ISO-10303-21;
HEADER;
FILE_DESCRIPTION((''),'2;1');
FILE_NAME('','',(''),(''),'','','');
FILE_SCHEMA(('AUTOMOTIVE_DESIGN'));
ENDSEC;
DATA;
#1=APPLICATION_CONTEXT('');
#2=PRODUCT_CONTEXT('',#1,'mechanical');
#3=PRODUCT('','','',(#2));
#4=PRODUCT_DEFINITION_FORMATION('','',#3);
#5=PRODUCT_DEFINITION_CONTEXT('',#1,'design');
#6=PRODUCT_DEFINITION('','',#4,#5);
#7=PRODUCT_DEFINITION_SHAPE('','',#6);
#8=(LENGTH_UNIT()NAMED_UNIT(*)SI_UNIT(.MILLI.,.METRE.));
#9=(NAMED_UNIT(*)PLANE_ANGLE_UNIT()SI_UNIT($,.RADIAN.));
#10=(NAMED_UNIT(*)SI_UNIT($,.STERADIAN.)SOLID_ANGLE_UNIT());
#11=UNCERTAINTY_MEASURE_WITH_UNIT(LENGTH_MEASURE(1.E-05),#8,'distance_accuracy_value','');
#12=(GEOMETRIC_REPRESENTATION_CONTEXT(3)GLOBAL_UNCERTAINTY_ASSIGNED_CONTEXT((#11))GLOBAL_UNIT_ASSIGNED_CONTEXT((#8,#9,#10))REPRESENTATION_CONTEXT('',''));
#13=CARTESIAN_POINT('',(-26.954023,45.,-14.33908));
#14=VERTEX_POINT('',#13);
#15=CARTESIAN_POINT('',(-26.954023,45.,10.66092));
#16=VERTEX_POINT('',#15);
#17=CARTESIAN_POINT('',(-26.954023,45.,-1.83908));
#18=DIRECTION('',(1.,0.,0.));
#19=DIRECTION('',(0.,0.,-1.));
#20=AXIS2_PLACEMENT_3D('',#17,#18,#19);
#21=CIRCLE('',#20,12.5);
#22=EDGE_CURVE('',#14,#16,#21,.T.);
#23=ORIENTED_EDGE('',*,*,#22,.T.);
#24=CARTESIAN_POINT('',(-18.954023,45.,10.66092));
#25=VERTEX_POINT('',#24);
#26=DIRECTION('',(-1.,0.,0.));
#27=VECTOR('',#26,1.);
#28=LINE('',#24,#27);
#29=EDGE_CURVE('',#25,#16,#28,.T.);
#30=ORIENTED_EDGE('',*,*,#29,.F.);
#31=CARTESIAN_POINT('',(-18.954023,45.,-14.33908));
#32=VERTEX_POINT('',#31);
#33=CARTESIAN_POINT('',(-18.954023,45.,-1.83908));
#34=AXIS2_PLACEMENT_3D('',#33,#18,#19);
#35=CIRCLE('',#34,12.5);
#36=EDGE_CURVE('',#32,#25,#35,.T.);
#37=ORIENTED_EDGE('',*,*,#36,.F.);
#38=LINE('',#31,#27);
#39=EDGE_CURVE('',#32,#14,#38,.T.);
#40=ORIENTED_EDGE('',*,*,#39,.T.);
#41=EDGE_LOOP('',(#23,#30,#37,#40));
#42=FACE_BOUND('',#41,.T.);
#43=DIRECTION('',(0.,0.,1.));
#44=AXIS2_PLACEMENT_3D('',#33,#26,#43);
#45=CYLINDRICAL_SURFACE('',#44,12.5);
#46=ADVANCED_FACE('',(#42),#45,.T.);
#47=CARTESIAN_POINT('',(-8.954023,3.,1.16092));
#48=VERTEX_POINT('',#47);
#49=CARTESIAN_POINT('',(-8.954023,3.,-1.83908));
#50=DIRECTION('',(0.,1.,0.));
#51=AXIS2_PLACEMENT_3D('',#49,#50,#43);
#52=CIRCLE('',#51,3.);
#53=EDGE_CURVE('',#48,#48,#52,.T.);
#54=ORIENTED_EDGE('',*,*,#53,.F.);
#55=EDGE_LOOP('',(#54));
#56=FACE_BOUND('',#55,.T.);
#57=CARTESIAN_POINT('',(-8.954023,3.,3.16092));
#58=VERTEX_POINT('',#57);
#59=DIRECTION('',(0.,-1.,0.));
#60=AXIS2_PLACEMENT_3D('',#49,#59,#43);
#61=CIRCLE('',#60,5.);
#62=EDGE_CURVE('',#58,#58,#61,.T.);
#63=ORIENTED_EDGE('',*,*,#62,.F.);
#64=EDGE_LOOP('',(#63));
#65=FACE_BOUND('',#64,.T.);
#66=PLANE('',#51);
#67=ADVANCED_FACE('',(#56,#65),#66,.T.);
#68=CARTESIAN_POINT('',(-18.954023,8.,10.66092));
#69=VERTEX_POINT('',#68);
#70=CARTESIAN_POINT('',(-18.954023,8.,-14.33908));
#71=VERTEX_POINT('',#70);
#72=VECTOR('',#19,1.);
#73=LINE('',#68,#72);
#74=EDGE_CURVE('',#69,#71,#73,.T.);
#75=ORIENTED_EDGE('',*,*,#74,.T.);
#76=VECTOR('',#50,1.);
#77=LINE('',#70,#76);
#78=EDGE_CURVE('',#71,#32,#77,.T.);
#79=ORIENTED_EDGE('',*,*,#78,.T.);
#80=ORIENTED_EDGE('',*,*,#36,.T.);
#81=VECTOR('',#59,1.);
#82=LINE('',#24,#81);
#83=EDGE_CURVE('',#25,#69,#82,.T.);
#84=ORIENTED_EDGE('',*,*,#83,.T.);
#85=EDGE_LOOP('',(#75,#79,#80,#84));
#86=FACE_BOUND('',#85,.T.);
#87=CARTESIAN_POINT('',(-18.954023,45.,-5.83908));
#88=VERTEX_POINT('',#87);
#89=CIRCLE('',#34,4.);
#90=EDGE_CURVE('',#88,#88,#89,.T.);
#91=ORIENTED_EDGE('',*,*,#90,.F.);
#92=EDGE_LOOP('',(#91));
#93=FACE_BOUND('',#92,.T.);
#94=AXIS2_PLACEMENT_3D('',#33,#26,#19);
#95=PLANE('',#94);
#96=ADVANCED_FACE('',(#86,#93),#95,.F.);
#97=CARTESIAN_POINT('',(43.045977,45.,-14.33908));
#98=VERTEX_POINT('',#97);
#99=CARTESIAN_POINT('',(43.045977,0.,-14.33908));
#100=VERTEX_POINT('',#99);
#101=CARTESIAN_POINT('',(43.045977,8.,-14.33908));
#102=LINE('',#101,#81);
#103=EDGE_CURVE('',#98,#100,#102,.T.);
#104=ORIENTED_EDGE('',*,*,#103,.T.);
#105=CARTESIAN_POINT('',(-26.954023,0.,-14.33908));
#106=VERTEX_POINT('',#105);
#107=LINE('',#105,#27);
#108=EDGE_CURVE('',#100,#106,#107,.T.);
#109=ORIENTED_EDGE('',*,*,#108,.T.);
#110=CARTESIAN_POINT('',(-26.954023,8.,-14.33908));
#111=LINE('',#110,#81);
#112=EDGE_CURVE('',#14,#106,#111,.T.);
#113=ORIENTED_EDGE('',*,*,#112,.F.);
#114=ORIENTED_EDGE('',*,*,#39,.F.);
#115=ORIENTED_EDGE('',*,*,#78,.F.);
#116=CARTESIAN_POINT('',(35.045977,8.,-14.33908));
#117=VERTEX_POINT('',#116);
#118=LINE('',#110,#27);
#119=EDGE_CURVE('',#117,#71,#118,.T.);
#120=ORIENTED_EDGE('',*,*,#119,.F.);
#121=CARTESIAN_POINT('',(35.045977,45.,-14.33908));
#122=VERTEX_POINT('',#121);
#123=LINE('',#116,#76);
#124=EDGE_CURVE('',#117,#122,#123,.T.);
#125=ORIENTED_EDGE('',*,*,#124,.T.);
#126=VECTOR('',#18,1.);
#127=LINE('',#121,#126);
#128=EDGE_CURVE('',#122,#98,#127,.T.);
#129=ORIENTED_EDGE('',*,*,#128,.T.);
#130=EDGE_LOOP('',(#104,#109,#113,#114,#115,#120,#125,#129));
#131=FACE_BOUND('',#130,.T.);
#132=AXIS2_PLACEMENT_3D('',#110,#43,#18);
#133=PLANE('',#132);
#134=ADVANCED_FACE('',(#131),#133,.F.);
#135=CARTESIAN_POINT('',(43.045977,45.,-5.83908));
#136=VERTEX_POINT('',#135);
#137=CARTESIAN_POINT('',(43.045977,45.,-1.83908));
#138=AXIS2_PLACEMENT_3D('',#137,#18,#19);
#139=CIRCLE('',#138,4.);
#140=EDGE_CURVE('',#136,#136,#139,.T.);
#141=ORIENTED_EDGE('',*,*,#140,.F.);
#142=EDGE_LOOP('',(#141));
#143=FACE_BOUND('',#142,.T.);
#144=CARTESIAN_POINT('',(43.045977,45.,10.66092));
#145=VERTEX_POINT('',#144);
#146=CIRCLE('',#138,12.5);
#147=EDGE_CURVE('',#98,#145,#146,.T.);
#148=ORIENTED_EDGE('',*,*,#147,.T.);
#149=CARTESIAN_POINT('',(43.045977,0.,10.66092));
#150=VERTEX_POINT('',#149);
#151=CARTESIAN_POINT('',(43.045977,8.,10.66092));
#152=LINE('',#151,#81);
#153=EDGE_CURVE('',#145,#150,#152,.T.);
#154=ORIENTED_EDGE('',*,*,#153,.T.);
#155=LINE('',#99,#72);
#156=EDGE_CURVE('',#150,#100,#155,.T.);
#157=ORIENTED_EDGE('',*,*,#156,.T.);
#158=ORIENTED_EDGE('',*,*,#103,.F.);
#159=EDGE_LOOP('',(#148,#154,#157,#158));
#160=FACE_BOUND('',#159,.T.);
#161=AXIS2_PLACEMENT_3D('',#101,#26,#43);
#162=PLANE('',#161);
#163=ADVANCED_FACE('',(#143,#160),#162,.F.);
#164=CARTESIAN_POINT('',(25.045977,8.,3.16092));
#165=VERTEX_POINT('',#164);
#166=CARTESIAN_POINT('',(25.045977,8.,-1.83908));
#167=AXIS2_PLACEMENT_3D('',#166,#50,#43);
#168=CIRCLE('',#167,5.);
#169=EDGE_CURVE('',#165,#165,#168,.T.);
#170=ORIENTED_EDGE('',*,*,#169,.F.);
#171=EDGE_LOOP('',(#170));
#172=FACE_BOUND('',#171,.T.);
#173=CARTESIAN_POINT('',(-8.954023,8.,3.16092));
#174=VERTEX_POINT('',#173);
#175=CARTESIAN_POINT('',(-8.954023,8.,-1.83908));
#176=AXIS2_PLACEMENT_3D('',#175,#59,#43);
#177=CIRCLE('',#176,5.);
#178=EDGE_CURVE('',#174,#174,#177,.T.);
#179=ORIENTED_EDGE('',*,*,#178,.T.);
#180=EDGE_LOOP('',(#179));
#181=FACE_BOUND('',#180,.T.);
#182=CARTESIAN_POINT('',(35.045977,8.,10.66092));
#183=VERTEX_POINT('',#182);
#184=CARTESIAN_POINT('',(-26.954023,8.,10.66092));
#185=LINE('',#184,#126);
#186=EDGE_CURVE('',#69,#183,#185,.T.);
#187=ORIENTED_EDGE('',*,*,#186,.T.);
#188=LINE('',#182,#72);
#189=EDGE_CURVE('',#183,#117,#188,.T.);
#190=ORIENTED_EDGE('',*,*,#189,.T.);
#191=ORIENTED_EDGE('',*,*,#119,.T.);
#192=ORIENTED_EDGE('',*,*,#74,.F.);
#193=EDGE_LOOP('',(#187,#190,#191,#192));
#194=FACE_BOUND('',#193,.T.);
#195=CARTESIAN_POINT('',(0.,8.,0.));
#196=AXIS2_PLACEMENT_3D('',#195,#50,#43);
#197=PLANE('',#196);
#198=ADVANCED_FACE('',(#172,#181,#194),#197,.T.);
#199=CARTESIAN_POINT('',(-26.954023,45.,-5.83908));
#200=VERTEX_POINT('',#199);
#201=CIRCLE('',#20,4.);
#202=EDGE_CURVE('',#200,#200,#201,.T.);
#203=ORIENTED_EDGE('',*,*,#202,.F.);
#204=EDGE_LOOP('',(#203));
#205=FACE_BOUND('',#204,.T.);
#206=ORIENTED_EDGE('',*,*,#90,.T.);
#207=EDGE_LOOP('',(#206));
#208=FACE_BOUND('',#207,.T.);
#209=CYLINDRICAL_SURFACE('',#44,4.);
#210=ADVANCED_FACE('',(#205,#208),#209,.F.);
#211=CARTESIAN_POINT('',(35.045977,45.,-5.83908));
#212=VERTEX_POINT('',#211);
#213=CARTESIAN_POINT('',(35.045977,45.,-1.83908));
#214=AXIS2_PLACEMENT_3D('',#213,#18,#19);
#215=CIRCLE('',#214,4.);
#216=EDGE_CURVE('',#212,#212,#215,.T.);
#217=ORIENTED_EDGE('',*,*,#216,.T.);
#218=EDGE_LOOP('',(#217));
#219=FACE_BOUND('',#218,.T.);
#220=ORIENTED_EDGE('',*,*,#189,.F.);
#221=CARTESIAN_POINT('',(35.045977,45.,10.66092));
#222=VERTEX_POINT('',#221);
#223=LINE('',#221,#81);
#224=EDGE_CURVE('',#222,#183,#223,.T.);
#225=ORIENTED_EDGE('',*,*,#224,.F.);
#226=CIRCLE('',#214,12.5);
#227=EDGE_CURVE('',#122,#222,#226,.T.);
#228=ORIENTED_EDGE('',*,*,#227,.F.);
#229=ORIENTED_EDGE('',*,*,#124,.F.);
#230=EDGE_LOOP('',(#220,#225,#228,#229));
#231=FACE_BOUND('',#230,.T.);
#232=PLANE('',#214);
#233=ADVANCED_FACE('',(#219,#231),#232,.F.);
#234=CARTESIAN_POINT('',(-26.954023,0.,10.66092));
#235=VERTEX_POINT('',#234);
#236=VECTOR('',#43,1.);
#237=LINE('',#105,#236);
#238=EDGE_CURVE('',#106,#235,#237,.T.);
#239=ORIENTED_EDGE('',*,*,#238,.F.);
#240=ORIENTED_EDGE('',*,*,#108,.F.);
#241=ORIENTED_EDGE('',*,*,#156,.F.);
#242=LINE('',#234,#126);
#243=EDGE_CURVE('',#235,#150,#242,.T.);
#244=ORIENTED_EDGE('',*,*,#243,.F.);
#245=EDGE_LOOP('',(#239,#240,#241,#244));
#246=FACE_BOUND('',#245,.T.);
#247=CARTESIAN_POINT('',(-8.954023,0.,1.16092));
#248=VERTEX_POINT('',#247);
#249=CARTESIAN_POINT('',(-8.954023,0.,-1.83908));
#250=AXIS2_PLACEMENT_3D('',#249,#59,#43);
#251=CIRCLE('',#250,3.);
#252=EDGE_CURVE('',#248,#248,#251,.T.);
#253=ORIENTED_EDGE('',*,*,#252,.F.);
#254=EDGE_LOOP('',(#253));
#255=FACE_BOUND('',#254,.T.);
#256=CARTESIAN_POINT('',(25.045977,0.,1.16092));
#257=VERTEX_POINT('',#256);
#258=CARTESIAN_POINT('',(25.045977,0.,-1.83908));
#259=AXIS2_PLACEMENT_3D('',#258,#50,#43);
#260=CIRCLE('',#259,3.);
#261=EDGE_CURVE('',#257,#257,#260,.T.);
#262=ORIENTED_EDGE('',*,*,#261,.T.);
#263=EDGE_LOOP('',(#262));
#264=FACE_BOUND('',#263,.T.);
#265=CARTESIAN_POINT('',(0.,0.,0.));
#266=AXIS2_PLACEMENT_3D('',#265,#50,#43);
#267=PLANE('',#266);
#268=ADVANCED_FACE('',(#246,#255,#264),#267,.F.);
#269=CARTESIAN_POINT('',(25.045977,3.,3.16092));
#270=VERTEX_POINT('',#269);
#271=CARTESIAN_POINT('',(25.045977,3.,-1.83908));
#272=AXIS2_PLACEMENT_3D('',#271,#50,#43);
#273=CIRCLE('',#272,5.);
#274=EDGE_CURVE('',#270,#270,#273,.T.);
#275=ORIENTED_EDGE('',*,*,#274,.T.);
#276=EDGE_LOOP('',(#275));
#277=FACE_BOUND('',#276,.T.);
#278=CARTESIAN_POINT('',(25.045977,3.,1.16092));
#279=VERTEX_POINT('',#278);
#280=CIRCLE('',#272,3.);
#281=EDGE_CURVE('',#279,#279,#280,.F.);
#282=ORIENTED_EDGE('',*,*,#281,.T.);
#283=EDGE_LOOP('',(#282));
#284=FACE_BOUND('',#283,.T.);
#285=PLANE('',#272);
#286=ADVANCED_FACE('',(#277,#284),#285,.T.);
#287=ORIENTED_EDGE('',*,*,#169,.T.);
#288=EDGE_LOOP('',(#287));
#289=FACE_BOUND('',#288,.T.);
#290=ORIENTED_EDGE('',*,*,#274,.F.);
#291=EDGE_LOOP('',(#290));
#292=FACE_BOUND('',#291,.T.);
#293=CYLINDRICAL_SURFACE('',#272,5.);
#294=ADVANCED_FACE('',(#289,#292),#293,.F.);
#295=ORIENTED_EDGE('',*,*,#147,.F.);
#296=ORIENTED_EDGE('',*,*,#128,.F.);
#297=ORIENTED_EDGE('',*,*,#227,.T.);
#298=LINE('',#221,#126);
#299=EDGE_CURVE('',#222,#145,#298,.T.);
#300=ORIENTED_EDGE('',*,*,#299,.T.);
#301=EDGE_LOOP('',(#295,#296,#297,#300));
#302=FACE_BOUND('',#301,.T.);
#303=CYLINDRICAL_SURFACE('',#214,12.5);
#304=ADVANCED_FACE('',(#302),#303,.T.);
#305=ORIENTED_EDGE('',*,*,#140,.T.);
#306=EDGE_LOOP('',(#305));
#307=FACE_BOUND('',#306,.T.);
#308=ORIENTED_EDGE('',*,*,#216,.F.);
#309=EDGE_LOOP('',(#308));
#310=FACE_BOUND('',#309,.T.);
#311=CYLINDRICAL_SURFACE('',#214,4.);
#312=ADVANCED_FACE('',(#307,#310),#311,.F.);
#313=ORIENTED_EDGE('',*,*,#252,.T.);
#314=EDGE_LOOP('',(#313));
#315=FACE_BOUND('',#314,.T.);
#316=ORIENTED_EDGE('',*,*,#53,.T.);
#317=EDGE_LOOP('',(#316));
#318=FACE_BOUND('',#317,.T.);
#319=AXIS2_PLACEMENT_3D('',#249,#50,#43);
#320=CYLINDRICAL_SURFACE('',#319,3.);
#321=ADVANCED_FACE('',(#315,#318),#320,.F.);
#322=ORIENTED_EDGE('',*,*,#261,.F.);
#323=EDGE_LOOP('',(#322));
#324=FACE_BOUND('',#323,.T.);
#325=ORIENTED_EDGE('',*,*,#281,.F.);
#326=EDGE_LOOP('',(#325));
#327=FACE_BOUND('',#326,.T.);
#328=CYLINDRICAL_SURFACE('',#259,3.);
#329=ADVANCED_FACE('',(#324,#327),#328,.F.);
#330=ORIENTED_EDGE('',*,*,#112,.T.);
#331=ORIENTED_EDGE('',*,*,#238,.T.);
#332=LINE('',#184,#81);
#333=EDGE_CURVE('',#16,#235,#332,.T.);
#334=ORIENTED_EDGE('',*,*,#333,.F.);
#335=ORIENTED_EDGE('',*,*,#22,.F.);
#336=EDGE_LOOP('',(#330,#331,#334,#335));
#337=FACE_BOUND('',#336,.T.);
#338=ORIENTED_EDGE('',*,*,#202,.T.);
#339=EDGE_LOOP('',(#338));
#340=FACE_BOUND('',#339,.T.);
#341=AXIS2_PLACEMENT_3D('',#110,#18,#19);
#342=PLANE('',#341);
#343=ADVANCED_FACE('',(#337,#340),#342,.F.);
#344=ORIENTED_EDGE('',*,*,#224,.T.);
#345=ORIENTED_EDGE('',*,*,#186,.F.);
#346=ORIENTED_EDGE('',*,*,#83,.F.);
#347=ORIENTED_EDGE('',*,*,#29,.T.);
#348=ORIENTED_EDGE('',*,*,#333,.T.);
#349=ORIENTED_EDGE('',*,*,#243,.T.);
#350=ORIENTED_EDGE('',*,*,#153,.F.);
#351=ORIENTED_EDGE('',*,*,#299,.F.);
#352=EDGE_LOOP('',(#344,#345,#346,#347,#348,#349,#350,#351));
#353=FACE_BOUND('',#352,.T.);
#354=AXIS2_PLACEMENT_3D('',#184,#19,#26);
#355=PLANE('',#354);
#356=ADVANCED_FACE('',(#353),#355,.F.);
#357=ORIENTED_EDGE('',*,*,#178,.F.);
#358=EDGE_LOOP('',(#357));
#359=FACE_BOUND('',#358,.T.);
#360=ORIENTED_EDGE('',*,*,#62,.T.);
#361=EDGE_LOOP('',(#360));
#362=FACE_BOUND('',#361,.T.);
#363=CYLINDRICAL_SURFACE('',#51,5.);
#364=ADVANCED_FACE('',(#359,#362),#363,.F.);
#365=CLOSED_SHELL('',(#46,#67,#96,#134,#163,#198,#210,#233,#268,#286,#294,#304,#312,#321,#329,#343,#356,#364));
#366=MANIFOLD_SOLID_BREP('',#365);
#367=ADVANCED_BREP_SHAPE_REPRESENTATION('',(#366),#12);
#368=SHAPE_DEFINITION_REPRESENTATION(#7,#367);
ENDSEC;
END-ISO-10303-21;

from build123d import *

# Parameters (mm, degrees)
SKETCH1_W           = 70
SKETCH1_H           = 25
BOSS_EXTRUDE1_DEPTH = 8
SKETCH2_R           = 3
CUT_EXTRUDE1_DEPTH  = 9
SKETCH2_3_R         = 5
CUT_EXTRUDE2_DEPTH  = 5
SKETCH3_R           = 4
BOSS_EXTRUDE2_DEPTH = 8


with BuildPart() as part:
    # Sketch1 → Boss-Extrude1 (new body)
    with BuildSketch(Plane(origin=(0, 0, 0), x_dir=(1, 0, 0), z_dir=(0, 1, 0))):
        with Locations((8.045977011, 1.83908046)):
            Rectangle(SKETCH1_W, SKETCH1_H)
    extrude(amount=BOSS_EXTRUDE1_DEPTH)

    # Sketch2 → Cut-Extrude1 (cut, through all)
    with BuildSketch(Plane(origin=(0, 8, 0), x_dir=(1, 0, 0), z_dir=(0, 1, 0))):
        with Locations((25.045977011, 1.83908046)):
            Circle(SKETCH2_R)
    cut_extrude1 = extrude(amount=-CUT_EXTRUDE1_DEPTH, mode=Mode.SUBTRACT)

    # Sketch2<3> → Cut-Extrude2 (cut)
    with BuildSketch(Plane(origin=(0, 8, 0), x_dir=(1, 0, 0), z_dir=(0, 1, 0))):
        with Locations((25.045977011, 1.83908046)):
            Circle(SKETCH2_3_R)
    cut_extrude2 = extrude(amount=-CUT_EXTRUDE2_DEPTH, mode=Mode.SUBTRACT)

    # Sketch3 → Boss-Extrude2 (add)
    with BuildSketch(Plane(origin=(43.045977011, 0, 0), x_dir=(0, 0, -1), z_dir=(1, 0, 0))):
        with BuildLine():
            Line((-10.66091954, 45), (-10.66091954, 8))
            Line((-10.66091954, 8), (14.33908046, 8))
            Line((14.33908046, 8), (14.33908046, 45))
            ThreePointArc((14.33908046, 45), (1.83908046, 57.5), (-10.66091954, 45))
        make_face()
        with Locations((1.83908046, 45)):
            Circle(SKETCH3_R, mode=Mode.SUBTRACT)
    boss_extrude2 = extrude(amount=-BOSS_EXTRUDE2_DEPTH)

    # Mirror1: Cut-Extrude1, Cut-Extrude2, Boss-Extrude2 across plane
    add(cut_extrude1.mirror(Plane(origin=(8.045977011, 0, 0), x_dir=(0, 0, 1), z_dir=(1, 0, 0))), mode=Mode.SUBTRACT)
    add(cut_extrude2.mirror(Plane(origin=(8.045977011, 0, 0), x_dir=(0, 0, 1), z_dir=(1, 0, 0))), mode=Mode.SUBTRACT)
    add(boss_extrude2.mirror(Plane(origin=(8.045977011, 0, 0), x_dir=(0, 0, 1), z_dir=(1, 0, 0))))


solid = part.part
